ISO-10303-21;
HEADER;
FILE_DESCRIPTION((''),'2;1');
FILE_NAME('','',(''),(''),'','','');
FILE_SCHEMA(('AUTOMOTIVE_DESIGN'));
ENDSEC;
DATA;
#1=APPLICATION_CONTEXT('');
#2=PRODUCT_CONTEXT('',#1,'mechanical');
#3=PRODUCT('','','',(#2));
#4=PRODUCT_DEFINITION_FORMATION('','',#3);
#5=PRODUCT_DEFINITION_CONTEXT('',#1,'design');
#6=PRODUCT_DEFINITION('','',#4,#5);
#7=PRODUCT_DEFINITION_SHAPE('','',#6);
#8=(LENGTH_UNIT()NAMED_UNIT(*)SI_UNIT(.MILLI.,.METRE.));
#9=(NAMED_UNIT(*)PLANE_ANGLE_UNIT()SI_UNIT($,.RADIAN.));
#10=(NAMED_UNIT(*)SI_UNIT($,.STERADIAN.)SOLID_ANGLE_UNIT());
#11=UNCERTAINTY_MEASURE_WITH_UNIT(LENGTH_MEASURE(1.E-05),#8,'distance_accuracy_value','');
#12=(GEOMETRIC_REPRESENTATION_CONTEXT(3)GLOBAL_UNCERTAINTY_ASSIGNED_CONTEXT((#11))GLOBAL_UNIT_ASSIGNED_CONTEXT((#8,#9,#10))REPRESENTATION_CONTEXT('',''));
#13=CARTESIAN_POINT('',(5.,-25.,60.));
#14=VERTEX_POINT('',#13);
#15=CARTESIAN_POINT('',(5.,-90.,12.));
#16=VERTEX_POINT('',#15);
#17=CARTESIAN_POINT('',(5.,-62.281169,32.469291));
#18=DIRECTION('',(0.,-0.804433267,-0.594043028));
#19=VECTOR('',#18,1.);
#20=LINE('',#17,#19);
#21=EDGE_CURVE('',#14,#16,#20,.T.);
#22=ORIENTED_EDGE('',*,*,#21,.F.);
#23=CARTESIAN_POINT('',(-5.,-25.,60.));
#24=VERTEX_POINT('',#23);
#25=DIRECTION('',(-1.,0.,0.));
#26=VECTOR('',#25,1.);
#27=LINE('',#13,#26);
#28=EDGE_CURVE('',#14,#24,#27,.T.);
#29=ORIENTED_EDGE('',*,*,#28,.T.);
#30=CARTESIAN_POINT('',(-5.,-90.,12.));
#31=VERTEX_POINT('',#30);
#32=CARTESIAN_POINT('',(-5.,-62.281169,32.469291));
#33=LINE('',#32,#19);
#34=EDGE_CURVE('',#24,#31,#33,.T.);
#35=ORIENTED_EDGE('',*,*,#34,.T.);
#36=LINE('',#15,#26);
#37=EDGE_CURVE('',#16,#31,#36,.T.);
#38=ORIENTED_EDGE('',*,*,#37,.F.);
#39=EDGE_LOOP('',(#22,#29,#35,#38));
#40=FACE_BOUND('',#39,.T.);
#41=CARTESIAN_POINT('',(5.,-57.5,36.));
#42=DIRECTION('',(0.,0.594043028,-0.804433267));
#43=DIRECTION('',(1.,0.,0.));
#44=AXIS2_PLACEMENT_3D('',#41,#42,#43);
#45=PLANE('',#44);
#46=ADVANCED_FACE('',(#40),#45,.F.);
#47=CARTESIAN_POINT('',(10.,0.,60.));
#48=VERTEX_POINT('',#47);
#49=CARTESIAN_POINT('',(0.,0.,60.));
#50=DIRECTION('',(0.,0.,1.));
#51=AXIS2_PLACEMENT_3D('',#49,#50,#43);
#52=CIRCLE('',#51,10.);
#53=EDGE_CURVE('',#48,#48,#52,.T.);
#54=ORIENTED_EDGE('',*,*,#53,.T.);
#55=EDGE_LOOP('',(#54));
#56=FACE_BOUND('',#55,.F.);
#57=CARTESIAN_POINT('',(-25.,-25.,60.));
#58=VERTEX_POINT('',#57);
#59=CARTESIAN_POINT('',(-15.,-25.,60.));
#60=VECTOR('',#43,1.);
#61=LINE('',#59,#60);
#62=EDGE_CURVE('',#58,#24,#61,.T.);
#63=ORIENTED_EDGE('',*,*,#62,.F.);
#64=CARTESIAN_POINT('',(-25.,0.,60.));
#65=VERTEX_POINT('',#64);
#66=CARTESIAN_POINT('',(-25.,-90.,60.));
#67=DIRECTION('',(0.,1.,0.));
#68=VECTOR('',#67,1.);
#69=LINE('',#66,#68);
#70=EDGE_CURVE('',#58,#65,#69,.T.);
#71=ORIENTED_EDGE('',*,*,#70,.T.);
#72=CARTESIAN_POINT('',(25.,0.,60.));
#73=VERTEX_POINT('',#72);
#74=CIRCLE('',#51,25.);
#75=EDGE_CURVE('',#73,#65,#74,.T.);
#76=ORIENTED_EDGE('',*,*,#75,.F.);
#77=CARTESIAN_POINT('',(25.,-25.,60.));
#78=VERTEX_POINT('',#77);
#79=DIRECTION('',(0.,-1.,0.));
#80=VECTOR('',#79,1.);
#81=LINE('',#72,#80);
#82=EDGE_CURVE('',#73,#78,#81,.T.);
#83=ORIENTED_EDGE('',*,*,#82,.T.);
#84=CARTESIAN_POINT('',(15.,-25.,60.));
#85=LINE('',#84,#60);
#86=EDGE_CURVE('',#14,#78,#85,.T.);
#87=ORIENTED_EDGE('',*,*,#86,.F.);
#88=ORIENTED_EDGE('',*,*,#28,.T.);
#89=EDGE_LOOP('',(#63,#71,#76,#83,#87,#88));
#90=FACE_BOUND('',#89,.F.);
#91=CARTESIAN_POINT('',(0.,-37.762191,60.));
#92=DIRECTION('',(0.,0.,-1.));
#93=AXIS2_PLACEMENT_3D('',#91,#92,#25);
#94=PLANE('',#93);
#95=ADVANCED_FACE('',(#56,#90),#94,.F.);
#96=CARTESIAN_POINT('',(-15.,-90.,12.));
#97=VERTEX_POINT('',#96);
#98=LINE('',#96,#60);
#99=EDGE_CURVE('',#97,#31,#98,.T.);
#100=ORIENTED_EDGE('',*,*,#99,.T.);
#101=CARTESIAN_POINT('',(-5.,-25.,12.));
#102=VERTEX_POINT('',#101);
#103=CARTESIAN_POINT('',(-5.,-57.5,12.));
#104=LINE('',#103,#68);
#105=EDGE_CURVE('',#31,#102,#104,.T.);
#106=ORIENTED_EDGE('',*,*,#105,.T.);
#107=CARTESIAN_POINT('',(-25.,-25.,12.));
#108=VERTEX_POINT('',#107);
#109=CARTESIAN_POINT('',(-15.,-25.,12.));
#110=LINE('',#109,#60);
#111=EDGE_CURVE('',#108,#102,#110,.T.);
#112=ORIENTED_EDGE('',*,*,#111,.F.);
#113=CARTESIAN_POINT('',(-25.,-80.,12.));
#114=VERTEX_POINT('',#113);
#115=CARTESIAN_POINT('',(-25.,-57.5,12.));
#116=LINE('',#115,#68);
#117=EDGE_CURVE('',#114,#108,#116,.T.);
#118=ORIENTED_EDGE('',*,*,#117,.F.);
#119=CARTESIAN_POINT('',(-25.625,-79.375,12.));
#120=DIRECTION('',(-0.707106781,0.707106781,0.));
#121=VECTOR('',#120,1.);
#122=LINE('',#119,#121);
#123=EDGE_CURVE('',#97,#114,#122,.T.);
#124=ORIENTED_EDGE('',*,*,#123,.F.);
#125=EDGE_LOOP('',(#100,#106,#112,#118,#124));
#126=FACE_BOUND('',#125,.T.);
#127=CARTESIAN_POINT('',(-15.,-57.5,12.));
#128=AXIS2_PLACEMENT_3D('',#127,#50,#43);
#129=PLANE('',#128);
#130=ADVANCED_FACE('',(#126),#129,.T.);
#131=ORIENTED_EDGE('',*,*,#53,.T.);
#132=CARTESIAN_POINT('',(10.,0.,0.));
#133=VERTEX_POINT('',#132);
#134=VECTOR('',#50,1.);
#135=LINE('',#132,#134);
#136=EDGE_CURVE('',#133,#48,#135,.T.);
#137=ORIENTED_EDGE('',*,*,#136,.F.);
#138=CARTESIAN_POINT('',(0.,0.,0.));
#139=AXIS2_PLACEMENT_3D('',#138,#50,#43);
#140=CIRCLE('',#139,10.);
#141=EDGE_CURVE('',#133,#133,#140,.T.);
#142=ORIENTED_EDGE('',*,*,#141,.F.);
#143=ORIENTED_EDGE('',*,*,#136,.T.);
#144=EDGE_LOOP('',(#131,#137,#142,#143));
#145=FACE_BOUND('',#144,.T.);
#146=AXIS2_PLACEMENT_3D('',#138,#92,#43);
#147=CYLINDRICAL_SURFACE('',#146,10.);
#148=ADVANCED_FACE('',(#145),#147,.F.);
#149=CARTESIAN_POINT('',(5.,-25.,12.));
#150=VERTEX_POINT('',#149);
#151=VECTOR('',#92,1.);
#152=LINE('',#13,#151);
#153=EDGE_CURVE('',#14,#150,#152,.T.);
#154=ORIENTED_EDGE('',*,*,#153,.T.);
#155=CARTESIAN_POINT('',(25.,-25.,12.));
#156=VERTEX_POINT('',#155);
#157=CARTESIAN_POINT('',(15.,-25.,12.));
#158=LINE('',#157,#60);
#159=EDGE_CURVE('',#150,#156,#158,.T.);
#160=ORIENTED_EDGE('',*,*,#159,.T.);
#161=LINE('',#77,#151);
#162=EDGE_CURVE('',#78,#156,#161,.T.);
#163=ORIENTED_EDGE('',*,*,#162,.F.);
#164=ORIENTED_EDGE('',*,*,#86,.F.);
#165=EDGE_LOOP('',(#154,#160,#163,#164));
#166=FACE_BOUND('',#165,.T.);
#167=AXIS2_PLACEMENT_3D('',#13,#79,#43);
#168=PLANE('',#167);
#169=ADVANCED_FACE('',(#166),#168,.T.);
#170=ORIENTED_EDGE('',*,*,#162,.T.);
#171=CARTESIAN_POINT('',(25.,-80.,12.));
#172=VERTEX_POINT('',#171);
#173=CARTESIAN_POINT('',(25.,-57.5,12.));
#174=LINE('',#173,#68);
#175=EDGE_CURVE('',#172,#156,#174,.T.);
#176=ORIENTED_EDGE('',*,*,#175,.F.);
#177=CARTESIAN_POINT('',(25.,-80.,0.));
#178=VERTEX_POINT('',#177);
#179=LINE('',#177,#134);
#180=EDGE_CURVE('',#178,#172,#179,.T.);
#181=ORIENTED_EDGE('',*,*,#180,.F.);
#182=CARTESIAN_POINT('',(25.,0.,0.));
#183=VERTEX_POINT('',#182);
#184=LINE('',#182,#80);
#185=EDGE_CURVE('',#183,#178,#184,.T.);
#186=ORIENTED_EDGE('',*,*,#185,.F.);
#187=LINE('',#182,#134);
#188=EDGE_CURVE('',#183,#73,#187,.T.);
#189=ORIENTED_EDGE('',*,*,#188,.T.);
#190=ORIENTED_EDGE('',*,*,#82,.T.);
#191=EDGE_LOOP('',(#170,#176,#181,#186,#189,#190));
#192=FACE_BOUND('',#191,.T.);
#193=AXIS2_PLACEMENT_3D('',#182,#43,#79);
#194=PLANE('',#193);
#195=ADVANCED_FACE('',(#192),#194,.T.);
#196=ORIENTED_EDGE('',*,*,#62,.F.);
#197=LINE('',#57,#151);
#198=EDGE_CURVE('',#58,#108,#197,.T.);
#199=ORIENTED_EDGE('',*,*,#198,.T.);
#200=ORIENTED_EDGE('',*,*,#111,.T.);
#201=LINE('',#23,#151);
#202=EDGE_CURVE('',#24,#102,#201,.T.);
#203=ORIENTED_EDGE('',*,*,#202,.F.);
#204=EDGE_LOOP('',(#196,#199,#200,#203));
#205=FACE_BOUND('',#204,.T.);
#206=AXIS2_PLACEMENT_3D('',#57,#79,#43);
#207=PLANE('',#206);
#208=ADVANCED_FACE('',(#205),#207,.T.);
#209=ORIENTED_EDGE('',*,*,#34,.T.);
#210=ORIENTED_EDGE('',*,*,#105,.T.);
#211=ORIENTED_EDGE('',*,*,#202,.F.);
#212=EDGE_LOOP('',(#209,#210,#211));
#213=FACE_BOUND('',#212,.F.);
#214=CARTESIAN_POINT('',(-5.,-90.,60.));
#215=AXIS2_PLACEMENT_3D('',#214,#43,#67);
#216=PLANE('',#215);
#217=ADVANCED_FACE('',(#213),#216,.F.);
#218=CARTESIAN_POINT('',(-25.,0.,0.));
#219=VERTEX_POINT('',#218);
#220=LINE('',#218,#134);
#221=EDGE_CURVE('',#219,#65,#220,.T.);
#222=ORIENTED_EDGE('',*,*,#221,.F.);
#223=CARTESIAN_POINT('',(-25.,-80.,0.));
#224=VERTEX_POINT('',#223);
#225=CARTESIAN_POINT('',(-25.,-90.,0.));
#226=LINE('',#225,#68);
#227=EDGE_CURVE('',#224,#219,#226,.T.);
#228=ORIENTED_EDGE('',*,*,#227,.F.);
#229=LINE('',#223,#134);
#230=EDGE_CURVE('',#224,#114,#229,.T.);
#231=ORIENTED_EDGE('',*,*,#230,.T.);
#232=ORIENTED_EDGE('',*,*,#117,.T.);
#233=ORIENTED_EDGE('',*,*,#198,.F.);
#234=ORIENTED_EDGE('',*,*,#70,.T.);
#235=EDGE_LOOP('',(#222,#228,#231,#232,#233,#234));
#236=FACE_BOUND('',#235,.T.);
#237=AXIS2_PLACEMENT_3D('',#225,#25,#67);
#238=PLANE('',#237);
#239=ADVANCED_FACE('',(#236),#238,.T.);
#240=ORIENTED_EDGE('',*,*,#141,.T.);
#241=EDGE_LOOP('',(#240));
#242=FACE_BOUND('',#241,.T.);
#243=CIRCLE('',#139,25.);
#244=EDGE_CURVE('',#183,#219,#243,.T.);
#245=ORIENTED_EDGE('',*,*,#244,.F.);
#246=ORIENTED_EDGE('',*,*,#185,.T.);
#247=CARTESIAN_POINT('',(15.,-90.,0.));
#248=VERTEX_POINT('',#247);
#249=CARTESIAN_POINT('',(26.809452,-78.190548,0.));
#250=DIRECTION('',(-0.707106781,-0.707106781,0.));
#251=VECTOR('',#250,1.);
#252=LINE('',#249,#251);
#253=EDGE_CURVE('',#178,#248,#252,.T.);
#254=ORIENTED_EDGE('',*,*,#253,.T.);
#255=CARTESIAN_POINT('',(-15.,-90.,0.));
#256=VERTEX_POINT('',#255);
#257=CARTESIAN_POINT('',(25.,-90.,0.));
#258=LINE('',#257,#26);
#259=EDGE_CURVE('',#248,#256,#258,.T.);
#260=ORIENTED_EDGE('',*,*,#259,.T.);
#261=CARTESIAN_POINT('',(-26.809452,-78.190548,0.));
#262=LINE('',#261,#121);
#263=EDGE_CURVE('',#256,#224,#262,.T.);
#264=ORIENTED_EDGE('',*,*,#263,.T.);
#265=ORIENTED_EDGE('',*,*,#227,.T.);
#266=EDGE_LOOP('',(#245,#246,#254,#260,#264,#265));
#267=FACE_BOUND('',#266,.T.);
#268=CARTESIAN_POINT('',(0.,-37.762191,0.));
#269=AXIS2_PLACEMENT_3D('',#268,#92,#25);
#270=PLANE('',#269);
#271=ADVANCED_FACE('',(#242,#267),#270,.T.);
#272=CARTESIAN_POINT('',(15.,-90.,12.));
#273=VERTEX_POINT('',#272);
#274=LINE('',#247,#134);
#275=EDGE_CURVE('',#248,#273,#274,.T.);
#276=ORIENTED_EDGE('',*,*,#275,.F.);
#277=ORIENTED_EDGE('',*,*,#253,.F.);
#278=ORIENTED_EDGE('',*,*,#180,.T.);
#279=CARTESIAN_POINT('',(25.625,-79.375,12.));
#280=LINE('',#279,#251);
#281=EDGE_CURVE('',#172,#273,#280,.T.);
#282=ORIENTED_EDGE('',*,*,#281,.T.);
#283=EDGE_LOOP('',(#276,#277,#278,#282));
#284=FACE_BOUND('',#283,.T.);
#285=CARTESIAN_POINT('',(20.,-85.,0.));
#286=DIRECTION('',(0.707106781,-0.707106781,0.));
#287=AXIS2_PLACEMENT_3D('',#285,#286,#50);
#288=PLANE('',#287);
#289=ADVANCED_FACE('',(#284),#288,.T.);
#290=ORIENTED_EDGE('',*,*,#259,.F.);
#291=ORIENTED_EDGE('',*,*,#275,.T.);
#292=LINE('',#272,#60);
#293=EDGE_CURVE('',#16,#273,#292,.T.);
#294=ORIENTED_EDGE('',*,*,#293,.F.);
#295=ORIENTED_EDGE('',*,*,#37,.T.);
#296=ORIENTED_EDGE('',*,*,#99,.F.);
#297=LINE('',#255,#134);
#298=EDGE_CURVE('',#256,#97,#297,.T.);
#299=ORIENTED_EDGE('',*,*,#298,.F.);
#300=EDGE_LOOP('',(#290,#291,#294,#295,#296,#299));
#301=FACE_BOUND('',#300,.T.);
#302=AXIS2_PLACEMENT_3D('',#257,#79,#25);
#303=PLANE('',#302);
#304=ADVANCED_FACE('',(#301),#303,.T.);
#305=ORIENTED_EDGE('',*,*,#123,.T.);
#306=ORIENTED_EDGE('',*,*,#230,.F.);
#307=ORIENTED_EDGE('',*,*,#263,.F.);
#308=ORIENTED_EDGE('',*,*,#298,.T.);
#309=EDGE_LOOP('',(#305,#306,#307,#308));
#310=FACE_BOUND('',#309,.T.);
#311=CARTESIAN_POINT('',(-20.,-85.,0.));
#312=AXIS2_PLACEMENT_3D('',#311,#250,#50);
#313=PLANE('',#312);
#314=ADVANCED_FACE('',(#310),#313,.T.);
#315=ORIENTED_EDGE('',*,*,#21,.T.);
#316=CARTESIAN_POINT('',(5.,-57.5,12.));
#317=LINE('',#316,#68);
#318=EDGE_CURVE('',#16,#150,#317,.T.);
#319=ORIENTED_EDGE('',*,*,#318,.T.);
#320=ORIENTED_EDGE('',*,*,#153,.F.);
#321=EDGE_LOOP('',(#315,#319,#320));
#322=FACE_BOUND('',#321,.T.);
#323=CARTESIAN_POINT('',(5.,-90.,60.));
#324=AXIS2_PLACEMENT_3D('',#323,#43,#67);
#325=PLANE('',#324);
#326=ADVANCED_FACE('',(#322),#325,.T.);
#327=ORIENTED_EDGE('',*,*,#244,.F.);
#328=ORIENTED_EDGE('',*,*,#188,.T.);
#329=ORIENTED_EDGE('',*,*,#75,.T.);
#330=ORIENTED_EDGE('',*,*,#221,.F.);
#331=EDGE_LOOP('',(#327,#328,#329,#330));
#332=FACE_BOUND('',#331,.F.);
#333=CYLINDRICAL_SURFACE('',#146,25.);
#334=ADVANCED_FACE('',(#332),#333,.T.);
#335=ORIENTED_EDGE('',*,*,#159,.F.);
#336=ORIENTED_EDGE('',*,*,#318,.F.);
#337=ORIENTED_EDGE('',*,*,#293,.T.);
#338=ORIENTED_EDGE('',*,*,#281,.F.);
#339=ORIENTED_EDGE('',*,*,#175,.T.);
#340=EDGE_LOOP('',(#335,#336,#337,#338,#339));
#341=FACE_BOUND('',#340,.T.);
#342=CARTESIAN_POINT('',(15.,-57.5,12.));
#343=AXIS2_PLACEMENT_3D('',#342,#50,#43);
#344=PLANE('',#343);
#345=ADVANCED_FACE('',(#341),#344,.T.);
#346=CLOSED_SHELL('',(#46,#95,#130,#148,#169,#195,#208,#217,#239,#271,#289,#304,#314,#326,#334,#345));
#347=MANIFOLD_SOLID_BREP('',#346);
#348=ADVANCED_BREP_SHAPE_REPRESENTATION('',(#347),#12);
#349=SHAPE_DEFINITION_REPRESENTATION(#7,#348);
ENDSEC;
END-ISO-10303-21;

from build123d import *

# Parameters (mm, degrees)
SKETCH_R        = 10
PAD_DEPTH       = 60
SKETCH001_W     = 20
SKETCH001_H     = 65
POCKET_DEPTH    = 48
CHAMFER_SIZE2   = 48
CHAMFER_SIZE    = 65
CHAMFER001_SIZE = 10
CHAMFER002_SIZE = 10


with BuildPart() as part:
    # Sketch → Pad (new body)
    with BuildSketch(Plane.XY):
        with BuildLine():
            Line((-25, -90), (-25, 0))
            ThreePointArc((25, 0), (0, 25), (-25, 0))
            Line((25, 0), (25, -90))
            Line((25, -90), (-25, -90))
        make_face()
        Circle(SKETCH_R, mode=Mode.SUBTRACT)
    extrude(amount=PAD_DEPTH)

    # Sketch001 (on Face7 of Pad) → Pocket (cut)
    with BuildSketch(Plane.XY.offset(60)):
        with Locations((-15, -57.5)):
            Rectangle(SKETCH001_W, SKETCH001_H)
        with Locations((15, -57.5)):
            Rectangle(SKETCH001_W, SKETCH001_H)
    extrude(amount=-POCKET_DEPTH, mode=Mode.SUBTRACT)

    # Chamfer
    chamfer_edges = [part.edges().sort_by_distance(p)[0] for p in [
        (0, -90, 60),
    ]]
    chamfer_side = part.faces().sort_by_distance((0, -16.584953, 60))[0]
    chamfer(chamfer_edges, length=CHAMFER_SIZE, length2=CHAMFER_SIZE2, reference=chamfer_side)

    # Chamfer001
    chamfer001_edges = [part.edges().sort_by_distance(p)[0] for p in [
        (25, -90, 6),
    ]]
    chamfer(chamfer001_edges, length=CHAMFER001_SIZE)

    # Chamfer002
    chamfer002_edges = [part.edges().sort_by_distance(p)[0] for p in [
        (-25, -90, 6),
    ]]
    chamfer(chamfer002_edges, length=CHAMFER002_SIZE)


solid = part.part
